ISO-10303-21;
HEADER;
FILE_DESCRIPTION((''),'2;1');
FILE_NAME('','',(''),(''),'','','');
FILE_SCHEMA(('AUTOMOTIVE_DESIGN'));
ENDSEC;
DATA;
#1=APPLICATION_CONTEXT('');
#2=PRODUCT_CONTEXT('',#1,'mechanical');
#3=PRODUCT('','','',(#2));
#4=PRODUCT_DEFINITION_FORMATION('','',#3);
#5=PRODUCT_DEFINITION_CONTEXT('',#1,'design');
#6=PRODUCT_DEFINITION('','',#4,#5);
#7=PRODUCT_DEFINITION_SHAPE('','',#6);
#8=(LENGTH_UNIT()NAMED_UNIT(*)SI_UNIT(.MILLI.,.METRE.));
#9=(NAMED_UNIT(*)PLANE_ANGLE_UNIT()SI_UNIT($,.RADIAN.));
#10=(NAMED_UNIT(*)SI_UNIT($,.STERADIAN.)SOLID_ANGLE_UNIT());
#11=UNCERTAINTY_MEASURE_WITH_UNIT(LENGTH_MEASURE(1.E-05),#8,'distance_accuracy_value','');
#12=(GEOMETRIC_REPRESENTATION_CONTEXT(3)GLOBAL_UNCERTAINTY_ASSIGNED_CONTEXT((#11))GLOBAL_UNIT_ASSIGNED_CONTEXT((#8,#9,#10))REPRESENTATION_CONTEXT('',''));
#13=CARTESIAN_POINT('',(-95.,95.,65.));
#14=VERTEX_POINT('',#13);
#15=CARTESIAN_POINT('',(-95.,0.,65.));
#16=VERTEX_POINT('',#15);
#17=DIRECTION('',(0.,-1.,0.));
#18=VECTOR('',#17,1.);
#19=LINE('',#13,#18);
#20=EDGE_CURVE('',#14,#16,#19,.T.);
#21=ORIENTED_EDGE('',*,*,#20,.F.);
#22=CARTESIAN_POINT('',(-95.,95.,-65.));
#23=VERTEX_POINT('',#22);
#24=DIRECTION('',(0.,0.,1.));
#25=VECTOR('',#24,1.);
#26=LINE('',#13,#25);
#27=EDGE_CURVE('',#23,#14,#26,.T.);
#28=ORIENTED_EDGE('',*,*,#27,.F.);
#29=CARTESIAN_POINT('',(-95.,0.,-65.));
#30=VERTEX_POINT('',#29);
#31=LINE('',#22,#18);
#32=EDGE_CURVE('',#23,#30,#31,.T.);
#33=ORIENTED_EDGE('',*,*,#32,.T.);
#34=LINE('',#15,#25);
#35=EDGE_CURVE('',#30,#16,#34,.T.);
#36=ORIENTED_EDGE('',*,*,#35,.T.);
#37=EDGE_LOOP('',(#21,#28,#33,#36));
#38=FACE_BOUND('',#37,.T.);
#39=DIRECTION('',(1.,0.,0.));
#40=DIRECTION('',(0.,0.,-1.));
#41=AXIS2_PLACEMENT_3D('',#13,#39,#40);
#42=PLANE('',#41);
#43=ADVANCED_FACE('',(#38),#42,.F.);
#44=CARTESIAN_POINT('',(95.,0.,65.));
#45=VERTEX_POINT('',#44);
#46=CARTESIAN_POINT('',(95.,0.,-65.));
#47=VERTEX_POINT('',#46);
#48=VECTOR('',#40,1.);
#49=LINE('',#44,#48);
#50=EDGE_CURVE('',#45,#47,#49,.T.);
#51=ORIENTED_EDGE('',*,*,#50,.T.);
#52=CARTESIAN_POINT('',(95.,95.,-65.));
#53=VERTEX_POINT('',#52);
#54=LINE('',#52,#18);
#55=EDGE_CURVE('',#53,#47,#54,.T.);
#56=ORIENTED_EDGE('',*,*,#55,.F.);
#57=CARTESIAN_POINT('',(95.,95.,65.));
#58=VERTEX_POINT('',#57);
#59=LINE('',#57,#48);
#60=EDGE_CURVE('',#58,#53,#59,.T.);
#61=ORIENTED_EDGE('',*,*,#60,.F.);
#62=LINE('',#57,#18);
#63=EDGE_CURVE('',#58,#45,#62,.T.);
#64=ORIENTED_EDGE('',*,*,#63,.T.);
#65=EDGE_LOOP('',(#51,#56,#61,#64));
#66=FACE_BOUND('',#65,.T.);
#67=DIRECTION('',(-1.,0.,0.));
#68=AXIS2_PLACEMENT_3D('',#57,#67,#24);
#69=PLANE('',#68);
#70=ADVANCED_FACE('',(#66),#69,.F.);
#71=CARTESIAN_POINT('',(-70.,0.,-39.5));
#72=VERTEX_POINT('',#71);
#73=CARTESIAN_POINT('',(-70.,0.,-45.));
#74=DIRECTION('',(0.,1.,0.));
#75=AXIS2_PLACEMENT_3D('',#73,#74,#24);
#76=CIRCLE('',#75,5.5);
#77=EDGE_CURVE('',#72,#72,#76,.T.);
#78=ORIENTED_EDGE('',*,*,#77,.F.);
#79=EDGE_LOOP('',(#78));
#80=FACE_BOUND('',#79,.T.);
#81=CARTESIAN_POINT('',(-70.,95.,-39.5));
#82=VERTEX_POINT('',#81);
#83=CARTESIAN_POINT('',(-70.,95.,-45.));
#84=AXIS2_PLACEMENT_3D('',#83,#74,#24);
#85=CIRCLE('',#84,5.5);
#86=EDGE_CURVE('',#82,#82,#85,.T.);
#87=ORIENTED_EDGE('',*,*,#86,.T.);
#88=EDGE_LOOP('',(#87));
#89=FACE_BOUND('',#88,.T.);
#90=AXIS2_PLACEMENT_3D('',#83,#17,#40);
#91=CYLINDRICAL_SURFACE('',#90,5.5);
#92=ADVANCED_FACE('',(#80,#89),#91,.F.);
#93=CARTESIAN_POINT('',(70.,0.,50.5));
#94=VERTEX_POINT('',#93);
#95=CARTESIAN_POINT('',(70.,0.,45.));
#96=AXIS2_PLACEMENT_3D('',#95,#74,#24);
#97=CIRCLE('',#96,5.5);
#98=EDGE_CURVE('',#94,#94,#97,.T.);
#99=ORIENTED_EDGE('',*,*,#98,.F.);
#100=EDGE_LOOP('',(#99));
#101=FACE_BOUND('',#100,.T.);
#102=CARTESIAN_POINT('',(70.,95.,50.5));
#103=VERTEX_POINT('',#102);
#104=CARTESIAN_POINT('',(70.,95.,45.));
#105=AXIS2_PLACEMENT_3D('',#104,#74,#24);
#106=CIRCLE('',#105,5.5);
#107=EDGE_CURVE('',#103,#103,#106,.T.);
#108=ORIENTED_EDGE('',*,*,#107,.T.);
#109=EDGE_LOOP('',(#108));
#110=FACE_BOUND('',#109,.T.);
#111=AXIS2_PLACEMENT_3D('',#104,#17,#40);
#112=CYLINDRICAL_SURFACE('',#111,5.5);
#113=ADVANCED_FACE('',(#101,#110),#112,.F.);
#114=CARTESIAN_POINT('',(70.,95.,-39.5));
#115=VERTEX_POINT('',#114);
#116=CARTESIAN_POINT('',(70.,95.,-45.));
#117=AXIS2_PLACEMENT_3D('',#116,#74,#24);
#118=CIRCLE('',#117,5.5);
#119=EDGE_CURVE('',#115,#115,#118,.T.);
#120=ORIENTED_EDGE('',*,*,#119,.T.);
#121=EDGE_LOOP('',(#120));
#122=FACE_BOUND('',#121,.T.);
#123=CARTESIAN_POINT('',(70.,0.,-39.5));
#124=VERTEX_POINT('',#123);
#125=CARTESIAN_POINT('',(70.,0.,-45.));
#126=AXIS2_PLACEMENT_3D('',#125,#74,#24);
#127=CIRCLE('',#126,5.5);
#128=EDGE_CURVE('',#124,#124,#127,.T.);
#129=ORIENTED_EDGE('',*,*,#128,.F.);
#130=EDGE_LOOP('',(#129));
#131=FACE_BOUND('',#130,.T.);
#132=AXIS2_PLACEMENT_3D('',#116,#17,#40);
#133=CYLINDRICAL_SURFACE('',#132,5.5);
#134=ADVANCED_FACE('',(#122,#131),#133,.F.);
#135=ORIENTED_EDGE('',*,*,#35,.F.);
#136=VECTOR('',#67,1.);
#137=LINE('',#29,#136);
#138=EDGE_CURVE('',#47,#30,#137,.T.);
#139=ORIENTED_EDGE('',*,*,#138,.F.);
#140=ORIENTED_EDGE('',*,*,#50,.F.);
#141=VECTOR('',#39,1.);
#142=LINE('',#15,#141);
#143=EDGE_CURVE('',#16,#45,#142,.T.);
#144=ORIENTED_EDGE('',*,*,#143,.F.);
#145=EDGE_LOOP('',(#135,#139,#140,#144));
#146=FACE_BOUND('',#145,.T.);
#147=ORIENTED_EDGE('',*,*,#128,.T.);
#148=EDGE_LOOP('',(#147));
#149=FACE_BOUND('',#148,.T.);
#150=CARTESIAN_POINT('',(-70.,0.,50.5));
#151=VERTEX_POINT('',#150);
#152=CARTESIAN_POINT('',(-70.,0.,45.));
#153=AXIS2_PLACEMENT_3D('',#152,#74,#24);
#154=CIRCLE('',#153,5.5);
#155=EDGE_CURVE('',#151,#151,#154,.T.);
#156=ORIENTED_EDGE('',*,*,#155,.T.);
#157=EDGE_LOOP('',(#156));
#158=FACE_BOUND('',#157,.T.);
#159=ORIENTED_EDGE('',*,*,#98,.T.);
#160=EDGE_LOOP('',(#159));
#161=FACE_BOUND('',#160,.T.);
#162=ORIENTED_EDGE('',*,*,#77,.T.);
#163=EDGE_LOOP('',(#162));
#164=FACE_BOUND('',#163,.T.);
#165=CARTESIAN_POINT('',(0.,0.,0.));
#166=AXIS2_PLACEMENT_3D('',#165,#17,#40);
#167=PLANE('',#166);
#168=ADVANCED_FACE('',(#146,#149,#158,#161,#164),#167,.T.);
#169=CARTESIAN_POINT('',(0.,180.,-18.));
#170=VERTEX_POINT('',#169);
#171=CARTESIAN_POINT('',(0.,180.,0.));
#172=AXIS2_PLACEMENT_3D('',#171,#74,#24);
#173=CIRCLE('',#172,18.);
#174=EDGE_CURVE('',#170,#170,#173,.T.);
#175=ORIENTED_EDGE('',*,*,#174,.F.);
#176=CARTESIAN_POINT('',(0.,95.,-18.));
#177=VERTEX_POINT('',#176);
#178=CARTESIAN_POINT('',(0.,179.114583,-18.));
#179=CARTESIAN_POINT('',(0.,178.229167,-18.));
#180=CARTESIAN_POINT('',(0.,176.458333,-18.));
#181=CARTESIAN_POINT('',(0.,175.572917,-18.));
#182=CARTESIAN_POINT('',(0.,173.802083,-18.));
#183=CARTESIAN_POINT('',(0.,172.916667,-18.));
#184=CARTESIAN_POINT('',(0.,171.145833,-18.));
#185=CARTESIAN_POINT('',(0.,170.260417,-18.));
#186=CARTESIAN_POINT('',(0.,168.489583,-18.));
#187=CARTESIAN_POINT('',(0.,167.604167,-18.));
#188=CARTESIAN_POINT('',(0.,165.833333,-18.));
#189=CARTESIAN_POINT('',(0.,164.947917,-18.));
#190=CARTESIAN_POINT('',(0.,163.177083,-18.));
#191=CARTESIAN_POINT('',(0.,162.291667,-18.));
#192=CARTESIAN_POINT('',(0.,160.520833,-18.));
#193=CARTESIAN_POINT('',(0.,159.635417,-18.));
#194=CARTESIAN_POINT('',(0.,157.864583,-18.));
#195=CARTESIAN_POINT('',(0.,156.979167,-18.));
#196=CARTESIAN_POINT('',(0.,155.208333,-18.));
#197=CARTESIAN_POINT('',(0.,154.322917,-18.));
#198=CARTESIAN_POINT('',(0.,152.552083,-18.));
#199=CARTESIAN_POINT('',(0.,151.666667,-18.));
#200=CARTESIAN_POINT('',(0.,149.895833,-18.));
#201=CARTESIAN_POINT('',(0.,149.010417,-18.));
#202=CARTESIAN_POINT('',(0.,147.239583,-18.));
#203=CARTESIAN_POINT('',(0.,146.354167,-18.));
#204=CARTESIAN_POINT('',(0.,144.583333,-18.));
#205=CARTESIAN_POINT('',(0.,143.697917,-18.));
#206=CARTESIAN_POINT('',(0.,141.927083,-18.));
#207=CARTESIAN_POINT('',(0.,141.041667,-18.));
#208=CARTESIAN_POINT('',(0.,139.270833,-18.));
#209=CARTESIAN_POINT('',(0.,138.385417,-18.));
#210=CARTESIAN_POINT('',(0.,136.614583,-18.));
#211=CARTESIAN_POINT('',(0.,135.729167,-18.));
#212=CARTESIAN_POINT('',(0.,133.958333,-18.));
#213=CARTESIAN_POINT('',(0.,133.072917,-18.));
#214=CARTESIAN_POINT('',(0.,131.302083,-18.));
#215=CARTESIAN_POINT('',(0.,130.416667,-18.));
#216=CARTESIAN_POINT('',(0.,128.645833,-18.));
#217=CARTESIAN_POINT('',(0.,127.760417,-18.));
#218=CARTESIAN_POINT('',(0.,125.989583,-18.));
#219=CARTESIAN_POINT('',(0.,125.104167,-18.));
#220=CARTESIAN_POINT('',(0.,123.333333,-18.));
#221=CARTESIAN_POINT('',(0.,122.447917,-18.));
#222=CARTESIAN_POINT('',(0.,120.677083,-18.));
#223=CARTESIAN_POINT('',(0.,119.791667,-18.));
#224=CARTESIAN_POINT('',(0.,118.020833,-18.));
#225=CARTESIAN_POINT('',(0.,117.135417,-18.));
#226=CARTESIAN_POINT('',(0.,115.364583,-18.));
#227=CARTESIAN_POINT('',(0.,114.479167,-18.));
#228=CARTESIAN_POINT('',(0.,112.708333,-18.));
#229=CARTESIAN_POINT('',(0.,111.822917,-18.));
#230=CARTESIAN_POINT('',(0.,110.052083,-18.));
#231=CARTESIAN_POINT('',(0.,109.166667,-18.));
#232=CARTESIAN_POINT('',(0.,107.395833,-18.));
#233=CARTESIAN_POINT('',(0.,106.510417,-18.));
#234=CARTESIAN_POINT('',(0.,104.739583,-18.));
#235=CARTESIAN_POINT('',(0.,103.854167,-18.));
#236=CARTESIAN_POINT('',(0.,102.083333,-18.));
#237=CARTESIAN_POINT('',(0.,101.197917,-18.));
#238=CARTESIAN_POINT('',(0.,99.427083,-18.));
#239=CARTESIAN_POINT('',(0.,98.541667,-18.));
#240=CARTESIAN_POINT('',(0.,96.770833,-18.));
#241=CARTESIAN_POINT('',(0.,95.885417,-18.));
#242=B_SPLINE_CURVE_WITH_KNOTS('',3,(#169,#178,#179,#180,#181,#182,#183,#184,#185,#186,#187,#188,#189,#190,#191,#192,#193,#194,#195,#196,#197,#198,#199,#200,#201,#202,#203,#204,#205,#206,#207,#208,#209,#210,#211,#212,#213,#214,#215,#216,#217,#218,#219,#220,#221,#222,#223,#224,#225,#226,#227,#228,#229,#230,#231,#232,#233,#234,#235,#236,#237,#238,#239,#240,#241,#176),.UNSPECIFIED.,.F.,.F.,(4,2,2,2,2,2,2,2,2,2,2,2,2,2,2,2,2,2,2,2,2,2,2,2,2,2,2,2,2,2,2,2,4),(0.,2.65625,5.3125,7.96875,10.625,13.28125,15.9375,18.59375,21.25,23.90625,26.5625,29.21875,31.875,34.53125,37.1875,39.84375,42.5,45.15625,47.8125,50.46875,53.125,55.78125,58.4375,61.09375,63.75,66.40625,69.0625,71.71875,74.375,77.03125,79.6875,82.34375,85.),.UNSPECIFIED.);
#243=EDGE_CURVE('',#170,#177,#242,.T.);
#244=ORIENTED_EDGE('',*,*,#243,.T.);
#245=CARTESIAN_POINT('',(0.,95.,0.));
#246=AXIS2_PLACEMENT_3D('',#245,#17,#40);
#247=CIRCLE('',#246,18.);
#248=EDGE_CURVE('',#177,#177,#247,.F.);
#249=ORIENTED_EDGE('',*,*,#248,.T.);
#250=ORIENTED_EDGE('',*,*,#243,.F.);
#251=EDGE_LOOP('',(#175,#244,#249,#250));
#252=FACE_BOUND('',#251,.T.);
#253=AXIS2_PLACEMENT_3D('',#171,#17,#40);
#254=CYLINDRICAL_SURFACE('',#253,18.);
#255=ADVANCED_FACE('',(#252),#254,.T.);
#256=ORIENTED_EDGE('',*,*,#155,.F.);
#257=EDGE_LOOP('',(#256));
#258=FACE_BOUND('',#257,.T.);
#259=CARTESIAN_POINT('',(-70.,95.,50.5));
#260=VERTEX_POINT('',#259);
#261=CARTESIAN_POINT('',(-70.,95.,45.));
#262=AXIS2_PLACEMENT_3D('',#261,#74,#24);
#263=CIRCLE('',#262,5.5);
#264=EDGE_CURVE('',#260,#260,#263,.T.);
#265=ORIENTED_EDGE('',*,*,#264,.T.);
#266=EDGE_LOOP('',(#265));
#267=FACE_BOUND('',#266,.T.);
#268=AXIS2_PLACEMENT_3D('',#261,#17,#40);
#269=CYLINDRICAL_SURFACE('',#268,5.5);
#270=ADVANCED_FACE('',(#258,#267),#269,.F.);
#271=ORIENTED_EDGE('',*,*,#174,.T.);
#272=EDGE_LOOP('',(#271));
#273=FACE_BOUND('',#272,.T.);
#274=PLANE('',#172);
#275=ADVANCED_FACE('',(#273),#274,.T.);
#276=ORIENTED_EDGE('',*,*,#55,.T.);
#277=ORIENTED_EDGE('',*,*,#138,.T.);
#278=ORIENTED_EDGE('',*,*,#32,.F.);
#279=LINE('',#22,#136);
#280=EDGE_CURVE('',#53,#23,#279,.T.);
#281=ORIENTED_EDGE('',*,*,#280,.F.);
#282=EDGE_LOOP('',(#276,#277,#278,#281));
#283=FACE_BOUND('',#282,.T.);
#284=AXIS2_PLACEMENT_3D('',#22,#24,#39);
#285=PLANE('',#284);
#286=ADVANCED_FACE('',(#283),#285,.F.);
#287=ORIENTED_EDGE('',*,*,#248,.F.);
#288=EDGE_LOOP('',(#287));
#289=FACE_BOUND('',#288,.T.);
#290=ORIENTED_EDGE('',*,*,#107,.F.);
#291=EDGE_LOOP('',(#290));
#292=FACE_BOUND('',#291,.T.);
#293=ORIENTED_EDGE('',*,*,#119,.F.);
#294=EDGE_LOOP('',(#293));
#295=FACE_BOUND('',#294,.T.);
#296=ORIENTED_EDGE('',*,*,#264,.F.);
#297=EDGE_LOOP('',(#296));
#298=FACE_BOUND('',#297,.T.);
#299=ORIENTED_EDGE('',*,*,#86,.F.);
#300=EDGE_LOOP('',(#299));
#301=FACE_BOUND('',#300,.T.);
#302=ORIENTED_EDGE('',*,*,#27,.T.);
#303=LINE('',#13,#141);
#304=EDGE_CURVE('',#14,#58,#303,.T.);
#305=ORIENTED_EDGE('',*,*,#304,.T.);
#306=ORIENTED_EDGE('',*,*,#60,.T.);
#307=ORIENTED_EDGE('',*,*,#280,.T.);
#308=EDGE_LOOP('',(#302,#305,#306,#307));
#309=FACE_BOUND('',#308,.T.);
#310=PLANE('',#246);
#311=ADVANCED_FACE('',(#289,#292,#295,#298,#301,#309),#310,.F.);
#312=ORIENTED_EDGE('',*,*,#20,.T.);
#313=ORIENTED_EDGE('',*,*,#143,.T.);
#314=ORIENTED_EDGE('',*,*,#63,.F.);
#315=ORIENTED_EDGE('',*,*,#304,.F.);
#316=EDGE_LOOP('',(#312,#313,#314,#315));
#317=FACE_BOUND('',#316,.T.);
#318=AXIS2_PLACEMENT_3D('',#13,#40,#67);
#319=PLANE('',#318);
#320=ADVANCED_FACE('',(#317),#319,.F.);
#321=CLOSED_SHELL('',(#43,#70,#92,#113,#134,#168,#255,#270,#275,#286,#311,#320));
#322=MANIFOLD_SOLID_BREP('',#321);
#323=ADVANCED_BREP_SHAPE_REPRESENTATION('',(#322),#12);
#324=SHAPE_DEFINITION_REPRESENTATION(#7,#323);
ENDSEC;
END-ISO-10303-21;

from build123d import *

# Parameters (mm, degrees)
F_01_HOUSING_PROFILE_W      = 190
F_01_HOUSING_PROFILE_H      = 130
F_01_HOUSING_PROFILE_R      = 5.5
F_01_HOUSING_BLOCK_DEPTH    = 95
F_03_OUTPUT_SHAFT_PROFILE_R = 18
F_03_OUTPUT_SHAFT_DEPTH     = 180


with BuildPart() as part:
    # 01_Housing_Profile → 01_Housing_Block (new body)
    with BuildSketch(Plane(origin=(0, 0, 0), x_dir=(1, 0, 0), z_dir=(0, 1, 0))):
        Rectangle(F_01_HOUSING_PROFILE_W, F_01_HOUSING_PROFILE_H)
        with Locations(Location((-70, -45, 0), (0, 0, 270))):
            Circle(F_01_HOUSING_PROFILE_R, mode=Mode.SUBTRACT)
        with Locations(Location((70, -45, 0), (0, 0, 270))):
            Circle(F_01_HOUSING_PROFILE_R, mode=Mode.SUBTRACT)
        with Locations(Location((-70, 45, 0), (0, 0, 270))):
            Circle(F_01_HOUSING_PROFILE_R, mode=Mode.SUBTRACT)
        with Locations(Location((70, 45, 0), (0, 0, 270))):
            Circle(F_01_HOUSING_PROFILE_R, mode=Mode.SUBTRACT)
    extrude(amount=F_01_HOUSING_BLOCK_DEPTH)

    # 03_Output_Shaft_Profile → 03_Output_Shaft (add)
    with BuildSketch(Plane(origin=(0, 0, 0), x_dir=(1, 0, 0), z_dir=(0, 1, 0))):
        with Locations(Location((0, 0, 0), (0, 0, 90))):
            Circle(F_03_OUTPUT_SHAFT_PROFILE_R)
    extrude(amount=F_03_OUTPUT_SHAFT_DEPTH)


solid = part.part
